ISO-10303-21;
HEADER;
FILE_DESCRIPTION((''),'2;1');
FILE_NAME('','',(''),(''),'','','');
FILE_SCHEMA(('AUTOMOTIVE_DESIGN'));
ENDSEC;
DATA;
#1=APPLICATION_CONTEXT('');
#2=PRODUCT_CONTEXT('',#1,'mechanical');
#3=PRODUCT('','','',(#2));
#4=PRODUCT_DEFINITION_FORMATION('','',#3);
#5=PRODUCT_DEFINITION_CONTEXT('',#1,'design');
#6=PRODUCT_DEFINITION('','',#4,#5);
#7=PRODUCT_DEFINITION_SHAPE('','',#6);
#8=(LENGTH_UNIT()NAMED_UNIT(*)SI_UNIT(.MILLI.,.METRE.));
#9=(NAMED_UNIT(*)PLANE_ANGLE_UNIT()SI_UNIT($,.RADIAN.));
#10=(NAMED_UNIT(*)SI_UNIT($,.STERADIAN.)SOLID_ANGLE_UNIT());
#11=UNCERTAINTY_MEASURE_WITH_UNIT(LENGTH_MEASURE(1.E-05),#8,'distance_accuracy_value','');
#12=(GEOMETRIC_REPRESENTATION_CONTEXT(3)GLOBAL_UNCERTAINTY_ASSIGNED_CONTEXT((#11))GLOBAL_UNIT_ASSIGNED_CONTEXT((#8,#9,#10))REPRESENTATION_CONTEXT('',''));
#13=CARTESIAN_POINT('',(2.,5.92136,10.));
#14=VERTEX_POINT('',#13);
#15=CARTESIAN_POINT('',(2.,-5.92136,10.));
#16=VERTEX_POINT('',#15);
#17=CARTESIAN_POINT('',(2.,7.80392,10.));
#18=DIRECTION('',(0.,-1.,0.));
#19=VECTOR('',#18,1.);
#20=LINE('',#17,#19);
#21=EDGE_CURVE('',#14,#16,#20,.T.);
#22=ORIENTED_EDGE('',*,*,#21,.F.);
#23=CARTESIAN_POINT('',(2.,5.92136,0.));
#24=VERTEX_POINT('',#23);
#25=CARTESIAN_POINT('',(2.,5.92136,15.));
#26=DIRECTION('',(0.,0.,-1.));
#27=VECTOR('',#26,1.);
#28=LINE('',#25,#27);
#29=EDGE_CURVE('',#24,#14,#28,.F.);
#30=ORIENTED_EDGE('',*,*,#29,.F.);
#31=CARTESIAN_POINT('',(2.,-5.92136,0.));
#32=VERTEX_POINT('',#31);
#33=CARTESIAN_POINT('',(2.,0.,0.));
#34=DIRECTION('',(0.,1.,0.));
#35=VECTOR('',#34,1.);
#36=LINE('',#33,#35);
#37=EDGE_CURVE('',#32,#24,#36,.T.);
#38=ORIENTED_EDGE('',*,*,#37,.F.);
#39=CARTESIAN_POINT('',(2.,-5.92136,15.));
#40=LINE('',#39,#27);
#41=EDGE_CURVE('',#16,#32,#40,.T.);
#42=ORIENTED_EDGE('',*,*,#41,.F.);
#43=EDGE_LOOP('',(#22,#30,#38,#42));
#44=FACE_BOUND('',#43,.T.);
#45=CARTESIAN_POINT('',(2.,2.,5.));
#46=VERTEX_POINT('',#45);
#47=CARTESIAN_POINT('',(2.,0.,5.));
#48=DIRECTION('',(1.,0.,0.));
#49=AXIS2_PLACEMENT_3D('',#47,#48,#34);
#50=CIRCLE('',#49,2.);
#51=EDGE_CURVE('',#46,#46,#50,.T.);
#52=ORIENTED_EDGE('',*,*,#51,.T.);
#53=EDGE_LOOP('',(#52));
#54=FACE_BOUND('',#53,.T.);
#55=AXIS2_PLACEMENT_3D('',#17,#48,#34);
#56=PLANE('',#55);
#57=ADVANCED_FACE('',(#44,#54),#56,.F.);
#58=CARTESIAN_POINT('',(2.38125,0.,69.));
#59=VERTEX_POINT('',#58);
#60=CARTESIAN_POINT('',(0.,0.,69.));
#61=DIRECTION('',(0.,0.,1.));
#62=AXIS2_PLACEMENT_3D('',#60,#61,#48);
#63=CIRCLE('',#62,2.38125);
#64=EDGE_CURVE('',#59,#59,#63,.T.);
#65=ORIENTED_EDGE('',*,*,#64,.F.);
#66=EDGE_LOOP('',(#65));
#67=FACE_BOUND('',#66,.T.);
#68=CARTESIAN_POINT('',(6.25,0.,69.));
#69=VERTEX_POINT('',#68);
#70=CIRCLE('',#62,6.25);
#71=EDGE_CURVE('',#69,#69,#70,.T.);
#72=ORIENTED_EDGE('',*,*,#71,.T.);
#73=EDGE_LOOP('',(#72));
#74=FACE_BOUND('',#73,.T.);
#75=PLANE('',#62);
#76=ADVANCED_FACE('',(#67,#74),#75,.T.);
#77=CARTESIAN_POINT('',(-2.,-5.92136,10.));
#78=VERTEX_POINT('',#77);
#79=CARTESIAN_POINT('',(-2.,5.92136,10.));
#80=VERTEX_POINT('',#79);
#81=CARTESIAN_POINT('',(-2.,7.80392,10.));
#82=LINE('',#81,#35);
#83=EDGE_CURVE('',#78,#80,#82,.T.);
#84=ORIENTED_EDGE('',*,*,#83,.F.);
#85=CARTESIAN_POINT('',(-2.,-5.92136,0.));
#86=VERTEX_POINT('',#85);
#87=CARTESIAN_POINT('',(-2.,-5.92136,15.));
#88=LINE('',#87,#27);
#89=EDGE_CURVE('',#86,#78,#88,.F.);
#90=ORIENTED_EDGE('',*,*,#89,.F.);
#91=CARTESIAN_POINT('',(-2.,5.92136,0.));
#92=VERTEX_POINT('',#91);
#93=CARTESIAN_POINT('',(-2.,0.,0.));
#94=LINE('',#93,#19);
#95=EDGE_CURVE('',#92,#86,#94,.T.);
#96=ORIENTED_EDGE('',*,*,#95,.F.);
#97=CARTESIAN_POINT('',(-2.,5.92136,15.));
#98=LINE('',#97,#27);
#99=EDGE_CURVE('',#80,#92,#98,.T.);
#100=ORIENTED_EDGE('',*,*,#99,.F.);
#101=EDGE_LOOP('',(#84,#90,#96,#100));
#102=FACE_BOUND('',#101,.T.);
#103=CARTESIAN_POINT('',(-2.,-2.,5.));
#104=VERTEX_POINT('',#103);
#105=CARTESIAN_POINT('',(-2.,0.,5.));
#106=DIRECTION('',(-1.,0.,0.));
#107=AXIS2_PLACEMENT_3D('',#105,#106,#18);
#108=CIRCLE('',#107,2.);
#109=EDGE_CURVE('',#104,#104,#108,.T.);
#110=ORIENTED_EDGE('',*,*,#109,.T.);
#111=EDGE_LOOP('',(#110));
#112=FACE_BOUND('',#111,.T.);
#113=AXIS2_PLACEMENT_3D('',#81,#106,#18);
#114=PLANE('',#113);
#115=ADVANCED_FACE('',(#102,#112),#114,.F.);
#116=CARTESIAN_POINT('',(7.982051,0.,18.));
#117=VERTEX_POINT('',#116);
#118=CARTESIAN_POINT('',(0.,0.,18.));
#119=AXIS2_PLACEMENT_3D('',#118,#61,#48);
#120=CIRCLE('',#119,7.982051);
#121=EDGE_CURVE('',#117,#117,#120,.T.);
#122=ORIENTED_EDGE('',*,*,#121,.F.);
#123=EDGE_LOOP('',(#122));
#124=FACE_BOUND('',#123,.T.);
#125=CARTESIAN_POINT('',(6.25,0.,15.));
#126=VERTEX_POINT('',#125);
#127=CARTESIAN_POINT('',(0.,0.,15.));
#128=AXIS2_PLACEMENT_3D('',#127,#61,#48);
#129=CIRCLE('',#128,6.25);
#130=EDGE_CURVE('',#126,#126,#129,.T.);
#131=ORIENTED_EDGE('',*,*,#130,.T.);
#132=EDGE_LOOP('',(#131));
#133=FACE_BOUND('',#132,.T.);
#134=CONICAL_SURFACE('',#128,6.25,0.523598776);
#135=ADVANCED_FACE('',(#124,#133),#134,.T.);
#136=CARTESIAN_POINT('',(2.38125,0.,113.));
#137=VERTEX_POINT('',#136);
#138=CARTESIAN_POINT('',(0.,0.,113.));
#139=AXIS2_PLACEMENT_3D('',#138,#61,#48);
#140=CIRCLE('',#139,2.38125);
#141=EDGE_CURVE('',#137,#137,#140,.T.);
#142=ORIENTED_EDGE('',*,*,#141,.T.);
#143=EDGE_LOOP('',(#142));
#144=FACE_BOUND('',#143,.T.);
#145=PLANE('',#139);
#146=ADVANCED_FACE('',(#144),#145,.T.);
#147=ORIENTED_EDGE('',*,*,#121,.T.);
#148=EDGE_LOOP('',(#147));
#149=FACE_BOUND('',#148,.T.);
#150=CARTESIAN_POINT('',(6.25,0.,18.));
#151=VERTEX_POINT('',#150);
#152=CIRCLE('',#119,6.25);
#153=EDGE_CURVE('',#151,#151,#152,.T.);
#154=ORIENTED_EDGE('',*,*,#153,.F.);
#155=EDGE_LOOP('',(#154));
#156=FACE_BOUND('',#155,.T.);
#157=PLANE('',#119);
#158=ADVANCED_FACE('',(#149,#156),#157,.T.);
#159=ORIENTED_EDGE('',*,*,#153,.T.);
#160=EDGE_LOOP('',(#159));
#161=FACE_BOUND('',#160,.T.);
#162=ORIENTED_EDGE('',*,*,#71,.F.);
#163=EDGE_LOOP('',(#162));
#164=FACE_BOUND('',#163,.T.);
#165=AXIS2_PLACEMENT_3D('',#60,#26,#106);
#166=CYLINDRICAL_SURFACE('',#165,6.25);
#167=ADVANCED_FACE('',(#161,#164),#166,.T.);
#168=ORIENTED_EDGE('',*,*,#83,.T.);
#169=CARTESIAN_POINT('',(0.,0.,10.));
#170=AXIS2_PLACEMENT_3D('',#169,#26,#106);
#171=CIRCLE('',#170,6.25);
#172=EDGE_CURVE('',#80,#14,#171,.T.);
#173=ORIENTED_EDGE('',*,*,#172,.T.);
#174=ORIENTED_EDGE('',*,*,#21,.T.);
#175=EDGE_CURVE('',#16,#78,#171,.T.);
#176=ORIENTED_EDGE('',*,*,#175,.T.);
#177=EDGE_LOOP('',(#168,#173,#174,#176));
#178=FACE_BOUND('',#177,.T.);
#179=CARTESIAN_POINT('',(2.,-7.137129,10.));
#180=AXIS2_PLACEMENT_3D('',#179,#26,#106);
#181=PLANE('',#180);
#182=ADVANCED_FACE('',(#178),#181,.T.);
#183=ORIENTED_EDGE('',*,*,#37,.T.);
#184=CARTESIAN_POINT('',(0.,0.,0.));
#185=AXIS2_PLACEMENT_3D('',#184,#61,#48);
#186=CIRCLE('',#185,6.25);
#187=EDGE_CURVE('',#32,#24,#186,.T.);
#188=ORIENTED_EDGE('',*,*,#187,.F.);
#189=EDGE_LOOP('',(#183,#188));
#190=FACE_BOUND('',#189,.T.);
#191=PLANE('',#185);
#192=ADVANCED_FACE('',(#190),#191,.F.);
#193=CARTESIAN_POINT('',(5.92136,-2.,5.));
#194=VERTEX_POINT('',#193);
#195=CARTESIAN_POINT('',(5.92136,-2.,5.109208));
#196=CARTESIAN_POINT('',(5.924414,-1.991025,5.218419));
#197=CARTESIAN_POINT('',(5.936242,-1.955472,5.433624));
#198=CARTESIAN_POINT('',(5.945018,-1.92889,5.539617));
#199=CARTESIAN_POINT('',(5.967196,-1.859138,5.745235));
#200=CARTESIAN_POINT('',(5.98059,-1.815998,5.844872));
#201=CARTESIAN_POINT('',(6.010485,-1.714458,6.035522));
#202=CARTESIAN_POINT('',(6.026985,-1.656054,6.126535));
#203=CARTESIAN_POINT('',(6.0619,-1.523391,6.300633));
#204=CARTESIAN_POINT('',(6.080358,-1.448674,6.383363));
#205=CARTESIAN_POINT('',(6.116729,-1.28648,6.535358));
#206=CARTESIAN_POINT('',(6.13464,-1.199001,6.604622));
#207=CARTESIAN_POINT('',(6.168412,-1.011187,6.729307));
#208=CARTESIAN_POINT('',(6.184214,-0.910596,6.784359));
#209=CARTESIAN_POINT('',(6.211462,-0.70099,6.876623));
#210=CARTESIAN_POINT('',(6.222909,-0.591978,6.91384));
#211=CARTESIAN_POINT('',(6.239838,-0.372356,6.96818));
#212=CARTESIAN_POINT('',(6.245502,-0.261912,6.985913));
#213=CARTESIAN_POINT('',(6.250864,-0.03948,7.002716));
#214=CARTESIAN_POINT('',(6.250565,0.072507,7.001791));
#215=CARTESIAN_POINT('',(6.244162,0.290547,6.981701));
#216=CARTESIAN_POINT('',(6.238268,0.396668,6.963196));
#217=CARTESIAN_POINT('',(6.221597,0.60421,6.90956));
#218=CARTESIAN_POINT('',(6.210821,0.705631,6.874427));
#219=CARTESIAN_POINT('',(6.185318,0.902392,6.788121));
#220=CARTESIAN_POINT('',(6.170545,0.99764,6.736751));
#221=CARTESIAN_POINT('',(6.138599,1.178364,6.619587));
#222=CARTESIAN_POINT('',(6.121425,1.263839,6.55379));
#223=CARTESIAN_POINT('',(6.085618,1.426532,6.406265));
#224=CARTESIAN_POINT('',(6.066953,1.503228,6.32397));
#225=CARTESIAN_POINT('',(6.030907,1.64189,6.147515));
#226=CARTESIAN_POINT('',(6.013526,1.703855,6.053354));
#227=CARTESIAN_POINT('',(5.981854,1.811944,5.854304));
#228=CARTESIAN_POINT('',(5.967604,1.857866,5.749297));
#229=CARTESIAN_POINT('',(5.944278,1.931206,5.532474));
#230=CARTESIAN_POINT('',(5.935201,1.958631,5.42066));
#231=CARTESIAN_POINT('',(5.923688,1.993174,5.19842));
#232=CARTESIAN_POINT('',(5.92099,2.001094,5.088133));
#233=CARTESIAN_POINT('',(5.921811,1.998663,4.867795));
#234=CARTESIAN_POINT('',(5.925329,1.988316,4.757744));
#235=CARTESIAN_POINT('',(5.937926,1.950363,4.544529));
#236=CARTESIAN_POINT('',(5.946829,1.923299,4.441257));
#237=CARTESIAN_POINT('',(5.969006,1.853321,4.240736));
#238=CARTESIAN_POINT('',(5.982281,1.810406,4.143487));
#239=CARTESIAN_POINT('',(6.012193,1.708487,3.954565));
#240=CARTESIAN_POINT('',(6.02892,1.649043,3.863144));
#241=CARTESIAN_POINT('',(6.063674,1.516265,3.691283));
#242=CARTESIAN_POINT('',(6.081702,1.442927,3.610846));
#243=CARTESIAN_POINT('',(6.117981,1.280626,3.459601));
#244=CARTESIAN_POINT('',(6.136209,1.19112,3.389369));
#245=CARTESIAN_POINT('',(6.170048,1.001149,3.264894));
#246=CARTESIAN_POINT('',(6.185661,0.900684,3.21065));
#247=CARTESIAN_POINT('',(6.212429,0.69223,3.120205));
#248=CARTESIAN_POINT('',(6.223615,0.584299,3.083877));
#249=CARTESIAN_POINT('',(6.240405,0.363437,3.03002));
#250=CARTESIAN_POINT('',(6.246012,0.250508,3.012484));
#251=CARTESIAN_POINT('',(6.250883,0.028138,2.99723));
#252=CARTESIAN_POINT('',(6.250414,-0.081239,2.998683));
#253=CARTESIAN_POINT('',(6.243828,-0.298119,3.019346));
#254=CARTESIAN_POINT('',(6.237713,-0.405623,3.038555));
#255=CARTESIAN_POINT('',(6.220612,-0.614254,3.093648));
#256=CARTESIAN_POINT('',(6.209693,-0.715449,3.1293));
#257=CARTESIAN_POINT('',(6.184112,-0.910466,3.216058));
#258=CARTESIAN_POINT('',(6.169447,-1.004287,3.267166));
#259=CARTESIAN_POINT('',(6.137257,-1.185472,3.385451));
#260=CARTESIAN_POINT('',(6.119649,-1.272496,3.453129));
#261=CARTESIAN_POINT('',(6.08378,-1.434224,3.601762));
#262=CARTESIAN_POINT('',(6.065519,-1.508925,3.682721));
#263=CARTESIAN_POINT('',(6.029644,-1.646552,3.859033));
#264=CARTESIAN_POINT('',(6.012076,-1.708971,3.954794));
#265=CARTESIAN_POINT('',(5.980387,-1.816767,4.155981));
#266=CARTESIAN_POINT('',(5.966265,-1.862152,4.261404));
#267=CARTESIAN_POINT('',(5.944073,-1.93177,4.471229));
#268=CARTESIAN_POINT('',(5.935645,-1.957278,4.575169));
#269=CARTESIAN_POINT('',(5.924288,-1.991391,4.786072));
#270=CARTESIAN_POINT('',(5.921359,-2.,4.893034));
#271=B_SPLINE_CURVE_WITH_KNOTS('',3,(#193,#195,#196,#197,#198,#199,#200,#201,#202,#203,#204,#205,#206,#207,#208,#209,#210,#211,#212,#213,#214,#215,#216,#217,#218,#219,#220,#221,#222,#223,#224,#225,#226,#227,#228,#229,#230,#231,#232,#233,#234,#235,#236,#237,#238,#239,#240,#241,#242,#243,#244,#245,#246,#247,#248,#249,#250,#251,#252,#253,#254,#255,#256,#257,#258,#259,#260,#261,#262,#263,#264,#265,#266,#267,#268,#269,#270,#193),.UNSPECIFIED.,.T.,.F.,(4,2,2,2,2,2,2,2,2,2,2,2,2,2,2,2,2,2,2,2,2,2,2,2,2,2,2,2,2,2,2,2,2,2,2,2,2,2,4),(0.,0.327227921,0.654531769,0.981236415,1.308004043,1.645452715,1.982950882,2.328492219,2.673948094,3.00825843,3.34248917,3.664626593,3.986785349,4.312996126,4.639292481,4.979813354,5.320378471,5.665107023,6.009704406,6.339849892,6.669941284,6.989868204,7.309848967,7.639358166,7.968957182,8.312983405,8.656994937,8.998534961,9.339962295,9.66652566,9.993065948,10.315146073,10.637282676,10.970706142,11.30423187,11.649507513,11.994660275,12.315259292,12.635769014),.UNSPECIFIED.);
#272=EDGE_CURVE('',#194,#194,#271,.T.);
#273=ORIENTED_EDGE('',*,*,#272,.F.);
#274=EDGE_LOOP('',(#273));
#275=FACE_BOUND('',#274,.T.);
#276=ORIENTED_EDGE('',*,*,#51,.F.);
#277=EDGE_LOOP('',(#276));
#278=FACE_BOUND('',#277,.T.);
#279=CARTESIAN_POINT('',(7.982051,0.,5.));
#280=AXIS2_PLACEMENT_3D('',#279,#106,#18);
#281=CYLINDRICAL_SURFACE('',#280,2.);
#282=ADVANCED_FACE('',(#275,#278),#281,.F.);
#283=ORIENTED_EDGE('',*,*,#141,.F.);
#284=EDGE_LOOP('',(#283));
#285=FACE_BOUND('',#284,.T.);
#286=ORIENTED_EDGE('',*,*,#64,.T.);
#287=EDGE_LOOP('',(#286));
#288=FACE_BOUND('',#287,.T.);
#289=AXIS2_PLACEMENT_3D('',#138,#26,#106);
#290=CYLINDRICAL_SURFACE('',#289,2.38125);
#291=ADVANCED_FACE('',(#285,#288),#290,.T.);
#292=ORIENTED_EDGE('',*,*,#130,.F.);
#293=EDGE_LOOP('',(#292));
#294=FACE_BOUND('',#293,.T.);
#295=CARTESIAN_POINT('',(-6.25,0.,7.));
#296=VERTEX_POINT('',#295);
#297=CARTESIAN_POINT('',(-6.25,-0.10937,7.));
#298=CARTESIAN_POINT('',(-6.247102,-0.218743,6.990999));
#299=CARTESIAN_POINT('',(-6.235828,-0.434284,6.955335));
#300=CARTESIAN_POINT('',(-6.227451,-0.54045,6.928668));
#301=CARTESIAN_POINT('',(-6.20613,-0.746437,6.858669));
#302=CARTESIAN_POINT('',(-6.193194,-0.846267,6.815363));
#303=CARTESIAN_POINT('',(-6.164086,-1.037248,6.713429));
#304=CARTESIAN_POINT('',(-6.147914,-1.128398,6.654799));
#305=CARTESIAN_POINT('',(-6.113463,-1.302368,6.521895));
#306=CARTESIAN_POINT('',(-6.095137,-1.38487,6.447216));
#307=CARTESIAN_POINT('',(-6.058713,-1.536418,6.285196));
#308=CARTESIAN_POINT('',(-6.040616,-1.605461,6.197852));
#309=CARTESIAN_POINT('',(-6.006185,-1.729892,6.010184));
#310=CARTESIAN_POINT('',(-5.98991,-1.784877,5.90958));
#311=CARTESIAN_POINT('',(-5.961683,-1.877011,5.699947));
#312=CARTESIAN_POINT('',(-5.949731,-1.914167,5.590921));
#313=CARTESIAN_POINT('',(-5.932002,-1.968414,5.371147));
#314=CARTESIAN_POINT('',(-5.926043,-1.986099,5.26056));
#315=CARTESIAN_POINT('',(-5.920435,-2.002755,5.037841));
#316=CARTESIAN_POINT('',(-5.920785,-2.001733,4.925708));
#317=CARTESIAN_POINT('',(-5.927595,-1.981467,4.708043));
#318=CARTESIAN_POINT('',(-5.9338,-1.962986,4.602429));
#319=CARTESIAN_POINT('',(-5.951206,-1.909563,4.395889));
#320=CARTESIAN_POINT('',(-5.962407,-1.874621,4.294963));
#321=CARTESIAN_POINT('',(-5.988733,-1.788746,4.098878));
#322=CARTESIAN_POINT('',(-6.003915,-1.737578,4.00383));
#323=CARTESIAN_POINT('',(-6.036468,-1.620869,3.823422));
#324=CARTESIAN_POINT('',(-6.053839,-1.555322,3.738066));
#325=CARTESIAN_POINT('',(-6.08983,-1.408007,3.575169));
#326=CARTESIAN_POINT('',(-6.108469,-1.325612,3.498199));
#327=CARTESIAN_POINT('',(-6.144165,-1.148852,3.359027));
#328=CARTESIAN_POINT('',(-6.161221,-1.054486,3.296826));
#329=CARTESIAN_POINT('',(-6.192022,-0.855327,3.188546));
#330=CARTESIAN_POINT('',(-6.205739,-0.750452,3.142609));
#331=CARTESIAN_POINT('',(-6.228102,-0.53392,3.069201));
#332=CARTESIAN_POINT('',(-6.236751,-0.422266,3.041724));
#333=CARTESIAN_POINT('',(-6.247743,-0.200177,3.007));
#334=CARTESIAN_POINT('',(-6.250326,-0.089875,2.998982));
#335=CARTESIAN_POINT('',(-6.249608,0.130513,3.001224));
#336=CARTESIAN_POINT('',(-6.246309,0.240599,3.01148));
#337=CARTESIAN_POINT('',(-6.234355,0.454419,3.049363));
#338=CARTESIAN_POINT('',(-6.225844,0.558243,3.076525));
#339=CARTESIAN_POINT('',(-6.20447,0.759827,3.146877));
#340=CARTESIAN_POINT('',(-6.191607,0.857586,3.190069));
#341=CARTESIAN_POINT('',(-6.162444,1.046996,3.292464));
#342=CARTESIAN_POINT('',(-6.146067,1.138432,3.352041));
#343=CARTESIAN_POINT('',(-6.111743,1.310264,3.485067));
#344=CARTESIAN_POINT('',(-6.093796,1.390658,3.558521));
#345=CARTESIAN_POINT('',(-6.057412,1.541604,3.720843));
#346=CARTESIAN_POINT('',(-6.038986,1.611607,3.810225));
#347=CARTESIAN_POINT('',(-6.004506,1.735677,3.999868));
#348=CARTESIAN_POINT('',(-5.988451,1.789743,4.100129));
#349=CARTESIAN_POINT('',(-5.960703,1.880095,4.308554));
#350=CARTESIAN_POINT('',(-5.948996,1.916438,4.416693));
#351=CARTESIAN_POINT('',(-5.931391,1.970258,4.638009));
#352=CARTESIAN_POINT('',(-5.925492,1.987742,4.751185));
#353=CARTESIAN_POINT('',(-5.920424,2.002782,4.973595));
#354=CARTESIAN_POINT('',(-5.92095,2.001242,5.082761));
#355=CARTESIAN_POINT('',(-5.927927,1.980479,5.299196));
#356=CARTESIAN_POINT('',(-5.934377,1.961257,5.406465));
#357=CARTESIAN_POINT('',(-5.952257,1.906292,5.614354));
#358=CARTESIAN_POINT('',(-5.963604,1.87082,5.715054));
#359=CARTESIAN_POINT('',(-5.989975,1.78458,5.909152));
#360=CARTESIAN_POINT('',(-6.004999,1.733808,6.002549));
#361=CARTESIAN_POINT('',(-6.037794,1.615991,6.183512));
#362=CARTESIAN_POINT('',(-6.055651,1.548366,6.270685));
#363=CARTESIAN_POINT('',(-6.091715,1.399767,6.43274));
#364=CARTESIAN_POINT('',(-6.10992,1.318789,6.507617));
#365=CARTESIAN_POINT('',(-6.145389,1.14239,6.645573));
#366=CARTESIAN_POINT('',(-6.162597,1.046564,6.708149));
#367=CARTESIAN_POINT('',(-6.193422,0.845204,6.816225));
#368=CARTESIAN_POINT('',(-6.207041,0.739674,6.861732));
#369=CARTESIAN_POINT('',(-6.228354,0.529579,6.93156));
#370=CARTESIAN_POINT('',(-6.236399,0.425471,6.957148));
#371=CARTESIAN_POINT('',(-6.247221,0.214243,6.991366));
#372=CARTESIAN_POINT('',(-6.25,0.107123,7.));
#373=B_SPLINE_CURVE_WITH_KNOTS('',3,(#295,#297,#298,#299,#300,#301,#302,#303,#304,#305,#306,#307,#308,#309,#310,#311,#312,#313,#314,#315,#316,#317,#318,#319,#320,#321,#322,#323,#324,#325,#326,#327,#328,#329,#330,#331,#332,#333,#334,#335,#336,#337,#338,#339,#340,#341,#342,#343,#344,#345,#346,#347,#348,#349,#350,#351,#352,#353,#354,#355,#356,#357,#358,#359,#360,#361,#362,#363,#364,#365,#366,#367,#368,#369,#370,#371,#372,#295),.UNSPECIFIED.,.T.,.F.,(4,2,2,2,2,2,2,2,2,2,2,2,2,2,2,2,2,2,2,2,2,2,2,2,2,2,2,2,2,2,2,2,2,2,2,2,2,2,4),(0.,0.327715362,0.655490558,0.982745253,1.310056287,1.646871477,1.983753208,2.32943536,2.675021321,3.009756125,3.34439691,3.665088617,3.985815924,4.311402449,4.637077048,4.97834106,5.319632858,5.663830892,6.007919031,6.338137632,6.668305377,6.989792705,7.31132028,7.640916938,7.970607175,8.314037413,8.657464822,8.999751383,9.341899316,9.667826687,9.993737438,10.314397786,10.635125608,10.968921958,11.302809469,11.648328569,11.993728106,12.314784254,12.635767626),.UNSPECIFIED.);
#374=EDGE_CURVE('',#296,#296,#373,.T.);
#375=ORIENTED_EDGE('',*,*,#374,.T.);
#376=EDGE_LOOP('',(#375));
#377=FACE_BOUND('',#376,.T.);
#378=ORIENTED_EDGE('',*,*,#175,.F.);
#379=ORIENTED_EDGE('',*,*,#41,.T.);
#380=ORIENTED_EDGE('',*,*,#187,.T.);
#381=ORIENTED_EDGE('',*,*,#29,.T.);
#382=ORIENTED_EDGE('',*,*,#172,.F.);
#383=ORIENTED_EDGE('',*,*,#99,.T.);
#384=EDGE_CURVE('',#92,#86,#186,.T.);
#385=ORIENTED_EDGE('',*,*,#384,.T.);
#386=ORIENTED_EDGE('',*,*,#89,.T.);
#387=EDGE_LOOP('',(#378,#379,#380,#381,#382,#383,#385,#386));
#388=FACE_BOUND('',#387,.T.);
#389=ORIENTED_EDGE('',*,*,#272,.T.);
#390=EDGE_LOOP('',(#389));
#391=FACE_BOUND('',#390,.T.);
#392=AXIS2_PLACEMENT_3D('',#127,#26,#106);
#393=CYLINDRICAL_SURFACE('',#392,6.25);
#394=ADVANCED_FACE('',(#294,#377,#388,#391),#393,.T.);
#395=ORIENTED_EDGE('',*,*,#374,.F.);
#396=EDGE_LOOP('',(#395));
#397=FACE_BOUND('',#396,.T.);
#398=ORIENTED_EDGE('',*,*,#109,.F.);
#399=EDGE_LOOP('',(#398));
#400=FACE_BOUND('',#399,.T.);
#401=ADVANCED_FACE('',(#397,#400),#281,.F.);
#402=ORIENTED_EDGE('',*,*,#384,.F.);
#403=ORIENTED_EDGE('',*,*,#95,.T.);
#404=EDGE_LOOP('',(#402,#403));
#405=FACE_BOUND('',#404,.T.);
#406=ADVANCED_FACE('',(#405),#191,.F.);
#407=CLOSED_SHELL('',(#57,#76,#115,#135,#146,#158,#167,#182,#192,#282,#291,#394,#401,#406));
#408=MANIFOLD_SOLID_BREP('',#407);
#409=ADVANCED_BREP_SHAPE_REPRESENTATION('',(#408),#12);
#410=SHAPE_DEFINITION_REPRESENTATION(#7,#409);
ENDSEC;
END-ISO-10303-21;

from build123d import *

# Parameters (mm, degrees)
SKETCH1_R               = 6.25
BOSS_EXTRUDE1_DEPTH     = 15
SKETCH2_R               = 6.25
BOSS_EXTRUDE2_DEPTH     = 3
BOSS_EXTRUDE2_DRAFT     = -30
SKETCH3_R               = 6.25
BOSS_EXTRUDE3_DEPTH     = 51
SKETCH4_R               = 2.38125
BOSS_EXTRUDE4_DEPTH     = 44
SKETCH5_W               = 4
SKETCH5_H               = 14.941049413
CUT_EXTRUDE1_DEPTH      = 10
CUT_EXTRUDE2_DEPTH      = 114.720510346
CUT_EXTRUDE2_DEPTH_BACK = 114.720510346
SKETCH6_R               = 2


with BuildPart() as part:
    # Sketch1 → Boss-Extrude1 (new body)
    with BuildSketch(Plane.XY):
        Circle(SKETCH1_R)
    extrude(amount=BOSS_EXTRUDE1_DEPTH)


with BuildPart() as boss_extrude2_tool:
    # Sketch2 → Boss-Extrude2 (with draft: the straight prism first)
    with BuildSketch(Plane.XY.offset(15)):
        Circle(SKETCH2_R)
    extrude(amount=BOSS_EXTRUDE2_DEPTH)
    # Boss-Extrude2: the draft: its side faces are tilted about the plane it starts from
    boss_extrude2_sides = [boss_extrude2_tool.faces().sort_by_distance(p)[0] for p in [
        (-6.25, 0, 16.5),
    ]]
    draft(boss_extrude2_sides, Plane.XY.offset(15), BOSS_EXTRUDE2_DRAFT)


with BuildPart() as part_1:
    add(part.part)

    # Boss-Extrude2: add boss_extrude2_tool
    add(boss_extrude2_tool.part)

    # Sketch3 → Boss-Extrude3 (add)
    with BuildSketch(Plane.XY.offset(18)):
        Circle(SKETCH3_R)
    extrude(amount=BOSS_EXTRUDE3_DEPTH)

    # Sketch4 → Boss-Extrude4 (add)
    with BuildSketch(Plane.XY.offset(69)):
        Circle(SKETCH4_R)
    extrude(amount=BOSS_EXTRUDE4_DEPTH)

    # Sketch5 → Cut-Extrude1 (cut)
    with BuildSketch(Plane(origin=(0, 0, 0), x_dir=(-1, 0, 0), z_dir=(0, 0, -1))):
        with Locations((0, 0.333395318)):
            Rectangle(SKETCH5_W, SKETCH5_H)
    extrude(amount=-CUT_EXTRUDE1_DEPTH, mode=Mode.SUBTRACT)

    # Sketch6 → Cut-Extrude2 (cut, two sides: drawn at the far end of the back side and taken through both)
    with BuildSketch(Plane.ZY.offset(-2).offset(-CUT_EXTRUDE2_DEPTH_BACK)):
        with Locations(Location((5, 0, 0), (0, 0, 270))):
            Circle(SKETCH6_R)
    extrude(amount=CUT_EXTRUDE2_DEPTH + CUT_EXTRUDE2_DEPTH_BACK, mode=Mode.SUBTRACT)


solid = part_1.part
